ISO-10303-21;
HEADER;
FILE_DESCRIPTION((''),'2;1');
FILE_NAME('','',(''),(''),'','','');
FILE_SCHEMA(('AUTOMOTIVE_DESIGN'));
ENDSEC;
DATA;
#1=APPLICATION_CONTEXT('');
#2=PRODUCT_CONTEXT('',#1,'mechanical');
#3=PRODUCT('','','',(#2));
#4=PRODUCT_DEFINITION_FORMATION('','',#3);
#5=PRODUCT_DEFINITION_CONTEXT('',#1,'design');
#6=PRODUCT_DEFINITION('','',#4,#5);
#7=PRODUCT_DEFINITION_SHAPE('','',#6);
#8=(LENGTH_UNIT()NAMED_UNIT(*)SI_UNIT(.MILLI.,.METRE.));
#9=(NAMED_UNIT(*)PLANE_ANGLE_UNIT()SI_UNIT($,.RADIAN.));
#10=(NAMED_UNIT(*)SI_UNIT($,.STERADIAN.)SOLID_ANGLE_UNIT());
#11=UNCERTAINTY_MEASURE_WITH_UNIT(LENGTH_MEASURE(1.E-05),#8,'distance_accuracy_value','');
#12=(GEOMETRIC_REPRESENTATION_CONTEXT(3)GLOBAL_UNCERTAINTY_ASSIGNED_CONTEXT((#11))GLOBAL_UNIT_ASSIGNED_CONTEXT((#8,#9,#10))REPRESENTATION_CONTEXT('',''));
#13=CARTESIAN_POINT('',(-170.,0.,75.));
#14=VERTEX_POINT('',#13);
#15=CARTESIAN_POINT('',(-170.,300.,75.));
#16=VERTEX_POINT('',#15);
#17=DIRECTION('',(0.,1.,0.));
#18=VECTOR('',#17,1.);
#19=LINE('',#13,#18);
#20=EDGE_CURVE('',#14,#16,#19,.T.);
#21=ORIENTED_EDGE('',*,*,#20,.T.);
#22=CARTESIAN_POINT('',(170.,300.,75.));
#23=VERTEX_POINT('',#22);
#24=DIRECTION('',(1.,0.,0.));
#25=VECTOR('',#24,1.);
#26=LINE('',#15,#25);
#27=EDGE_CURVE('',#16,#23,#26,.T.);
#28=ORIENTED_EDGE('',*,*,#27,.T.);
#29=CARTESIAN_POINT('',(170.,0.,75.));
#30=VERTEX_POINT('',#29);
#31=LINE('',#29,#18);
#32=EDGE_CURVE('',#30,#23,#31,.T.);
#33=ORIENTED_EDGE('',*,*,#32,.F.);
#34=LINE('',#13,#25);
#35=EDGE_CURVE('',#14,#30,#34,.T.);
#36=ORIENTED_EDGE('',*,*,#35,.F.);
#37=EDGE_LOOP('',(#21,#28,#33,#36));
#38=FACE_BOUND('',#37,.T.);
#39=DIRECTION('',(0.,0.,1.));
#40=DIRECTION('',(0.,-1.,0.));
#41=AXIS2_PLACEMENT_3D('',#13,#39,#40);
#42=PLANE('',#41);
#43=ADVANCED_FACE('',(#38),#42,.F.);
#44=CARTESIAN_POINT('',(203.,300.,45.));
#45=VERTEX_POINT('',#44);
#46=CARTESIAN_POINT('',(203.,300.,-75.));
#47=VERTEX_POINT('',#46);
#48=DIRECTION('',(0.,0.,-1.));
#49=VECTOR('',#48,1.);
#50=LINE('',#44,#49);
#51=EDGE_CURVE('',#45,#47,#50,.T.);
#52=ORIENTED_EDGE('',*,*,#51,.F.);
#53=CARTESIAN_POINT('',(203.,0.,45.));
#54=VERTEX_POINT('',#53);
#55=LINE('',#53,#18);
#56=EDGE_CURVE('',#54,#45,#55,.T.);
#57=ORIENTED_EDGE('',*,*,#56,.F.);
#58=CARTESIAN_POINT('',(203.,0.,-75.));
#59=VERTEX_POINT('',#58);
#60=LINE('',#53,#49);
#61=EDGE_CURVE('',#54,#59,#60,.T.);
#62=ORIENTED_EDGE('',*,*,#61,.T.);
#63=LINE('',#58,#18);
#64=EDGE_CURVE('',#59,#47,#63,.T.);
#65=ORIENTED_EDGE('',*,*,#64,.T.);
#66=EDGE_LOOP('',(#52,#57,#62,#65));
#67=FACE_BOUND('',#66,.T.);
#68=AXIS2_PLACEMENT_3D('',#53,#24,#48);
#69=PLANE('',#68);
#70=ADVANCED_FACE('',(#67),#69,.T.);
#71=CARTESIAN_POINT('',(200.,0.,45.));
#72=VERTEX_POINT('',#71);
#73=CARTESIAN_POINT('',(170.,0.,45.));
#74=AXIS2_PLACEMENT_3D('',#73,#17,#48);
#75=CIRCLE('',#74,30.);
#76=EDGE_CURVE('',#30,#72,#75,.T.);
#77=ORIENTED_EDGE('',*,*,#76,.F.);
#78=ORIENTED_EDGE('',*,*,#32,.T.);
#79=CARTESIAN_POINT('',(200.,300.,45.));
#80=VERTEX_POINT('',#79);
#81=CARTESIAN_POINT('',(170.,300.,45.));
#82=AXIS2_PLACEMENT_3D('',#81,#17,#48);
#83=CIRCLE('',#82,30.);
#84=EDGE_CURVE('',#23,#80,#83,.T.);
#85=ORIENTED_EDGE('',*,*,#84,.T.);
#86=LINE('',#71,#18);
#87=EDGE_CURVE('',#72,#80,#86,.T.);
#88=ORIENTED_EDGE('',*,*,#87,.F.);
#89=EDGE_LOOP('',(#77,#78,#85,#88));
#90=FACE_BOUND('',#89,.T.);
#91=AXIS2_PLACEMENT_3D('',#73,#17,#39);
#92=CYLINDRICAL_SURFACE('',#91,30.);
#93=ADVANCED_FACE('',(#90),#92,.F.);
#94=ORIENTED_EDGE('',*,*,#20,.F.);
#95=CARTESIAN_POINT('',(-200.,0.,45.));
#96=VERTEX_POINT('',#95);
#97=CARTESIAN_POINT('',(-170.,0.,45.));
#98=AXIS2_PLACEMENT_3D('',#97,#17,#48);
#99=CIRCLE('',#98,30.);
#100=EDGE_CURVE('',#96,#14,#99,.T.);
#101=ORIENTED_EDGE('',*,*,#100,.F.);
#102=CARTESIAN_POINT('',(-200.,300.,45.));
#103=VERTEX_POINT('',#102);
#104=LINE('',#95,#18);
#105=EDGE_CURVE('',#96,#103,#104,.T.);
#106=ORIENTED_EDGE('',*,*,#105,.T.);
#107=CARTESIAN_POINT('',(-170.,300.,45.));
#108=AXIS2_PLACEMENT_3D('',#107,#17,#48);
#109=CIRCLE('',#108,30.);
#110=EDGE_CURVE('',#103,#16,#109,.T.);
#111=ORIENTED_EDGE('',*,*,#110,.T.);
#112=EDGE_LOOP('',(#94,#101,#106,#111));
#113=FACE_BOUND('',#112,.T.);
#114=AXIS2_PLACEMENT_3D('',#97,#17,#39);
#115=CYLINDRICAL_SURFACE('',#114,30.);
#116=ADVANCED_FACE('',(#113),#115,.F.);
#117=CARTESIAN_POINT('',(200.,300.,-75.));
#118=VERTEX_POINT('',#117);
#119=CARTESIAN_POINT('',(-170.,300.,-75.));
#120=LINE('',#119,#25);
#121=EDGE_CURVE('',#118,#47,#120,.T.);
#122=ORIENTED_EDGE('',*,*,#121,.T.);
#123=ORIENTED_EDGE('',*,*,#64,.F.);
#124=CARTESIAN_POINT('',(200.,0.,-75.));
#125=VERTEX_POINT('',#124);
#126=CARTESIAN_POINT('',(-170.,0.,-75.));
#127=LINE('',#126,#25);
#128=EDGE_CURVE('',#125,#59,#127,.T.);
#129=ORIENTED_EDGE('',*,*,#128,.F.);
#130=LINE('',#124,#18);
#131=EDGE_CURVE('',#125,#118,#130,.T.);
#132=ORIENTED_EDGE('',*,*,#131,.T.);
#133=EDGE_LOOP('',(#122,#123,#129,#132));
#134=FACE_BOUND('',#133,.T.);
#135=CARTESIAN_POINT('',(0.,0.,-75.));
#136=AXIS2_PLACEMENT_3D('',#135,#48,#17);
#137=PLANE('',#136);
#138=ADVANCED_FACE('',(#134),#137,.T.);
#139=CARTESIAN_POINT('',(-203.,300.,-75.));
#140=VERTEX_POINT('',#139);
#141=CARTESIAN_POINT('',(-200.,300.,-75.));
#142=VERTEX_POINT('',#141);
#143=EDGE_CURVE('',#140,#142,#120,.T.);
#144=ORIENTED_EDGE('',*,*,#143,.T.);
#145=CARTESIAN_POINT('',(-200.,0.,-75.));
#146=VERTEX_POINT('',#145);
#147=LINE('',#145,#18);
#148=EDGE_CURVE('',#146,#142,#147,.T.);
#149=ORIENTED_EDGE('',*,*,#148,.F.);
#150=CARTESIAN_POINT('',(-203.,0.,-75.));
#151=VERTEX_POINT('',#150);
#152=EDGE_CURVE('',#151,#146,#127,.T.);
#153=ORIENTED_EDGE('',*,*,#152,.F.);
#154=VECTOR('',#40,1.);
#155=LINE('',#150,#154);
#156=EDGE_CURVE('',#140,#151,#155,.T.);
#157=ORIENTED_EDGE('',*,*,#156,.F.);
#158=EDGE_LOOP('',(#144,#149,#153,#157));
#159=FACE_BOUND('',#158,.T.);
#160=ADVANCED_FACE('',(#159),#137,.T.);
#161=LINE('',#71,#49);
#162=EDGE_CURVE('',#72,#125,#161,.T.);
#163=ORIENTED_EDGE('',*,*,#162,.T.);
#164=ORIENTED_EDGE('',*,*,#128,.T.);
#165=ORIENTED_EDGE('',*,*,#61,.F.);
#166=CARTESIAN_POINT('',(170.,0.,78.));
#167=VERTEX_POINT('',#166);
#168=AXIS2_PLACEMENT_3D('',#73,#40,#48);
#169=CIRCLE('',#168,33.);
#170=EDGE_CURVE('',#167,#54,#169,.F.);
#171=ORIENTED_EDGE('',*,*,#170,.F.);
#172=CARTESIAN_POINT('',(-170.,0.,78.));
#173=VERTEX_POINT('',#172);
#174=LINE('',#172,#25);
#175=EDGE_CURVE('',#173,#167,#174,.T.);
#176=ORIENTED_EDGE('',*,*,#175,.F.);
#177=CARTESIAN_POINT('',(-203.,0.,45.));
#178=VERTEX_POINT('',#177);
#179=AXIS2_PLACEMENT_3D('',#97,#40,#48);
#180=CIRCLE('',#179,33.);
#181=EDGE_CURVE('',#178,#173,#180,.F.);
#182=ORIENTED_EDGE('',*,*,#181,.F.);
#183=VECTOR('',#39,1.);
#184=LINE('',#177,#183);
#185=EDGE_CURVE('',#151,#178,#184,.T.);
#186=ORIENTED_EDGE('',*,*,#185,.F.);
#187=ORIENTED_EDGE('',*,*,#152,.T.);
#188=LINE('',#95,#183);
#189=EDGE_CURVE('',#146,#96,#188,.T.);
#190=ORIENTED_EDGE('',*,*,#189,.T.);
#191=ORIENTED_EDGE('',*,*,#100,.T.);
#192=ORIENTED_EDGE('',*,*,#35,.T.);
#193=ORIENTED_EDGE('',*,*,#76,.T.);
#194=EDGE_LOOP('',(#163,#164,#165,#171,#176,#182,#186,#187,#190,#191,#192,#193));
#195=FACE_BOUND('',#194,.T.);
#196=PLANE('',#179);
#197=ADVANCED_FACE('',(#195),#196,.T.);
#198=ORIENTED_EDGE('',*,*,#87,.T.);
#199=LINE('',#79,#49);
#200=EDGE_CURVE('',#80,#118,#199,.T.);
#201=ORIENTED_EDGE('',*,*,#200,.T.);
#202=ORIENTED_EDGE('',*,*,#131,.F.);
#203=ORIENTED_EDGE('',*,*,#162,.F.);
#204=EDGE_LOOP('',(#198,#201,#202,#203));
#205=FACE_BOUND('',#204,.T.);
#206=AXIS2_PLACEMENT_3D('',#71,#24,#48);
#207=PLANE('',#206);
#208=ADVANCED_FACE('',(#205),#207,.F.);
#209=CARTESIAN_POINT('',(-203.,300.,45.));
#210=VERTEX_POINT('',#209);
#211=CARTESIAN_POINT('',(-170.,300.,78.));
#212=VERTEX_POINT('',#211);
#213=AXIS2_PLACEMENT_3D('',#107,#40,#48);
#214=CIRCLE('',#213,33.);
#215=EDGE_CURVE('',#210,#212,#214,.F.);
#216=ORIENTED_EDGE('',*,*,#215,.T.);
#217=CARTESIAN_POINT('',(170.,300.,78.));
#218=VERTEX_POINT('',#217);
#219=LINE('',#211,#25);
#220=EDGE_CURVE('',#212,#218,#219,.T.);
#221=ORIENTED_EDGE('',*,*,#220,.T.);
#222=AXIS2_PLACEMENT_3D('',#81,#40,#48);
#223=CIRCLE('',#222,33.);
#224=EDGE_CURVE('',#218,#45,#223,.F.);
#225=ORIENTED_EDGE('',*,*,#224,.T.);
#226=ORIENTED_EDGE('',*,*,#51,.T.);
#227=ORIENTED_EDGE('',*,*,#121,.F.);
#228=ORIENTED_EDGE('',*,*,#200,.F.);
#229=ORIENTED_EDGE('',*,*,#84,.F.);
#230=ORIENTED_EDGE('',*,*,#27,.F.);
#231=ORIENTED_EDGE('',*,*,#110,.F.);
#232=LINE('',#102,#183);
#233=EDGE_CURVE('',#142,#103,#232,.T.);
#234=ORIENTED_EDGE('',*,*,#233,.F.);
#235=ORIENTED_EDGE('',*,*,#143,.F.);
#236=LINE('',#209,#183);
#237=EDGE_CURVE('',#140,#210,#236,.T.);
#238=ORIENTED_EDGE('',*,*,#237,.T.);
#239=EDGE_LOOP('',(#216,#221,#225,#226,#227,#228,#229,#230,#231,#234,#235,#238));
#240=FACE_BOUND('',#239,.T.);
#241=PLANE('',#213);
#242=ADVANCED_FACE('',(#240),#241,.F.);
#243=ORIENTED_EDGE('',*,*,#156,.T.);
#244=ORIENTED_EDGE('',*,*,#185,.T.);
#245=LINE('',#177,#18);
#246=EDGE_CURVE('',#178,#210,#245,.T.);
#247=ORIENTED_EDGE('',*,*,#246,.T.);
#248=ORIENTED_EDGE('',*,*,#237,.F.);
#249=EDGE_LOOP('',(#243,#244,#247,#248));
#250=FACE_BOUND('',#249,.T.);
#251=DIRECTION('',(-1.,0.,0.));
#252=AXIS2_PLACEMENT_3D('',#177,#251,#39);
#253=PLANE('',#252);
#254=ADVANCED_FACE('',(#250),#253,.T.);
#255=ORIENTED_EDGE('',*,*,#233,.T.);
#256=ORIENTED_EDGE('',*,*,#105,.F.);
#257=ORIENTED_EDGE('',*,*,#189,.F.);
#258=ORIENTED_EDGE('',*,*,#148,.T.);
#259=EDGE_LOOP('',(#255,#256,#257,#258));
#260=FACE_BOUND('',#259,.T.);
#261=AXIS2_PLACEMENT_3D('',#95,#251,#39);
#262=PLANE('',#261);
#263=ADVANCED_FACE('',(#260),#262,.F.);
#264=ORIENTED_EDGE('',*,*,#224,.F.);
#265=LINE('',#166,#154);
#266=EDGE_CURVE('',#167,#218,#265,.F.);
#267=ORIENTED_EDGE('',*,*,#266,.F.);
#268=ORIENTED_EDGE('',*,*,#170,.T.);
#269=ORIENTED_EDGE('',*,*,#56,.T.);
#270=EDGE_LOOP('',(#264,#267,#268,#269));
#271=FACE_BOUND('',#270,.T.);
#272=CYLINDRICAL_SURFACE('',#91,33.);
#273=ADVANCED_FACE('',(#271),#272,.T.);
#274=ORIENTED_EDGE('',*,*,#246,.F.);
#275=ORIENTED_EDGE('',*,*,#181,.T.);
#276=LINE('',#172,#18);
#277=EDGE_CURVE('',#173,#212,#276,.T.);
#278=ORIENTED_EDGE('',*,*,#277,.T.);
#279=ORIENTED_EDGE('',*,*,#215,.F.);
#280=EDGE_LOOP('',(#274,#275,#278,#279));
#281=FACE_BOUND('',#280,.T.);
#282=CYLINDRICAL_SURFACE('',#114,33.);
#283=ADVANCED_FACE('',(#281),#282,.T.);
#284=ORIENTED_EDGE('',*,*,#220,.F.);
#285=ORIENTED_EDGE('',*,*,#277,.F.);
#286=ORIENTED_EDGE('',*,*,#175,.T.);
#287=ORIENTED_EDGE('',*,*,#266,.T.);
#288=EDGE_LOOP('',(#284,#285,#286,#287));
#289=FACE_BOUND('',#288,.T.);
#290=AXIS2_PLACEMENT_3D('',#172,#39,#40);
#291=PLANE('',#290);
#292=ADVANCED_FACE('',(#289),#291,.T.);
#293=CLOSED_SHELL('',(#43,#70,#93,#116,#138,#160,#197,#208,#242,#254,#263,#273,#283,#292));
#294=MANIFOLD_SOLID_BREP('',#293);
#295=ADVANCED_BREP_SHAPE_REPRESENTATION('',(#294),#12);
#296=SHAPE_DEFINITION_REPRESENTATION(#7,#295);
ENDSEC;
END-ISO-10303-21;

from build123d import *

# Parameters (mm, degrees)
SKETCH4_W          = 722.984552569
SKETCH4_H          = 1077.767689397
CUT_EXTRUDE1_DEPTH = 3


with BuildPart() as part:
    # Sweep-Thin1: sweep along a path in Sketch3
    with BuildLine(Plane(origin=(0, 0, 0), x_dir=(0, 0, -1), z_dir=(1, 0, 0))) as sweep_thin1_path:
        Line((0, 0), (0, 300))
    # Sketch1 → Sweep-Thin1 (sweep)
    with BuildSketch(Plane(origin=(0, 0, 0), x_dir=(1, 0, 0), z_dir=(0, 1, 0))):
        with BuildLine():
            Line((-170, -78), (170, -78))
            ThreePointArc((170, -78), (193.334523779, -68.334523779), (203, -45))
            Line((203, -45), (203, 78))
            Line((203, 78), (-203, 78))
            Line((-203, 78), (-203, -45))
            ThreePointArc((-203, -45), (-193.334523779, -68.334523779), (-170, -78))
        make_face()
        with BuildLine():
            Line((-170, -75), (170, -75))
            ThreePointArc((170, -75), (191.213203436, -66.213203436), (200, -45))
            Line((200, -45), (200, 75))
            Line((200, 75), (-200, 75))
            Line((-200, 75), (-200, -45))
            ThreePointArc((-200, -45), (-191.213203436, -66.213203436), (-170, -75))
        make_face(mode=Mode.SUBTRACT)
    sweep(path=sweep_thin1_path.line)

    # Sketch4 → Cut-Extrude1 (cut)
    with BuildSketch(Plane(origin=(0, 0, -78), x_dir=(-1, 0, 0), z_dir=(0, 0, -1))):
        with Locations((86.276452511, -157.075497452)):
            Rectangle(SKETCH4_W, SKETCH4_H)
    extrude(amount=-CUT_EXTRUDE1_DEPTH, mode=Mode.SUBTRACT)


solid = part.part
